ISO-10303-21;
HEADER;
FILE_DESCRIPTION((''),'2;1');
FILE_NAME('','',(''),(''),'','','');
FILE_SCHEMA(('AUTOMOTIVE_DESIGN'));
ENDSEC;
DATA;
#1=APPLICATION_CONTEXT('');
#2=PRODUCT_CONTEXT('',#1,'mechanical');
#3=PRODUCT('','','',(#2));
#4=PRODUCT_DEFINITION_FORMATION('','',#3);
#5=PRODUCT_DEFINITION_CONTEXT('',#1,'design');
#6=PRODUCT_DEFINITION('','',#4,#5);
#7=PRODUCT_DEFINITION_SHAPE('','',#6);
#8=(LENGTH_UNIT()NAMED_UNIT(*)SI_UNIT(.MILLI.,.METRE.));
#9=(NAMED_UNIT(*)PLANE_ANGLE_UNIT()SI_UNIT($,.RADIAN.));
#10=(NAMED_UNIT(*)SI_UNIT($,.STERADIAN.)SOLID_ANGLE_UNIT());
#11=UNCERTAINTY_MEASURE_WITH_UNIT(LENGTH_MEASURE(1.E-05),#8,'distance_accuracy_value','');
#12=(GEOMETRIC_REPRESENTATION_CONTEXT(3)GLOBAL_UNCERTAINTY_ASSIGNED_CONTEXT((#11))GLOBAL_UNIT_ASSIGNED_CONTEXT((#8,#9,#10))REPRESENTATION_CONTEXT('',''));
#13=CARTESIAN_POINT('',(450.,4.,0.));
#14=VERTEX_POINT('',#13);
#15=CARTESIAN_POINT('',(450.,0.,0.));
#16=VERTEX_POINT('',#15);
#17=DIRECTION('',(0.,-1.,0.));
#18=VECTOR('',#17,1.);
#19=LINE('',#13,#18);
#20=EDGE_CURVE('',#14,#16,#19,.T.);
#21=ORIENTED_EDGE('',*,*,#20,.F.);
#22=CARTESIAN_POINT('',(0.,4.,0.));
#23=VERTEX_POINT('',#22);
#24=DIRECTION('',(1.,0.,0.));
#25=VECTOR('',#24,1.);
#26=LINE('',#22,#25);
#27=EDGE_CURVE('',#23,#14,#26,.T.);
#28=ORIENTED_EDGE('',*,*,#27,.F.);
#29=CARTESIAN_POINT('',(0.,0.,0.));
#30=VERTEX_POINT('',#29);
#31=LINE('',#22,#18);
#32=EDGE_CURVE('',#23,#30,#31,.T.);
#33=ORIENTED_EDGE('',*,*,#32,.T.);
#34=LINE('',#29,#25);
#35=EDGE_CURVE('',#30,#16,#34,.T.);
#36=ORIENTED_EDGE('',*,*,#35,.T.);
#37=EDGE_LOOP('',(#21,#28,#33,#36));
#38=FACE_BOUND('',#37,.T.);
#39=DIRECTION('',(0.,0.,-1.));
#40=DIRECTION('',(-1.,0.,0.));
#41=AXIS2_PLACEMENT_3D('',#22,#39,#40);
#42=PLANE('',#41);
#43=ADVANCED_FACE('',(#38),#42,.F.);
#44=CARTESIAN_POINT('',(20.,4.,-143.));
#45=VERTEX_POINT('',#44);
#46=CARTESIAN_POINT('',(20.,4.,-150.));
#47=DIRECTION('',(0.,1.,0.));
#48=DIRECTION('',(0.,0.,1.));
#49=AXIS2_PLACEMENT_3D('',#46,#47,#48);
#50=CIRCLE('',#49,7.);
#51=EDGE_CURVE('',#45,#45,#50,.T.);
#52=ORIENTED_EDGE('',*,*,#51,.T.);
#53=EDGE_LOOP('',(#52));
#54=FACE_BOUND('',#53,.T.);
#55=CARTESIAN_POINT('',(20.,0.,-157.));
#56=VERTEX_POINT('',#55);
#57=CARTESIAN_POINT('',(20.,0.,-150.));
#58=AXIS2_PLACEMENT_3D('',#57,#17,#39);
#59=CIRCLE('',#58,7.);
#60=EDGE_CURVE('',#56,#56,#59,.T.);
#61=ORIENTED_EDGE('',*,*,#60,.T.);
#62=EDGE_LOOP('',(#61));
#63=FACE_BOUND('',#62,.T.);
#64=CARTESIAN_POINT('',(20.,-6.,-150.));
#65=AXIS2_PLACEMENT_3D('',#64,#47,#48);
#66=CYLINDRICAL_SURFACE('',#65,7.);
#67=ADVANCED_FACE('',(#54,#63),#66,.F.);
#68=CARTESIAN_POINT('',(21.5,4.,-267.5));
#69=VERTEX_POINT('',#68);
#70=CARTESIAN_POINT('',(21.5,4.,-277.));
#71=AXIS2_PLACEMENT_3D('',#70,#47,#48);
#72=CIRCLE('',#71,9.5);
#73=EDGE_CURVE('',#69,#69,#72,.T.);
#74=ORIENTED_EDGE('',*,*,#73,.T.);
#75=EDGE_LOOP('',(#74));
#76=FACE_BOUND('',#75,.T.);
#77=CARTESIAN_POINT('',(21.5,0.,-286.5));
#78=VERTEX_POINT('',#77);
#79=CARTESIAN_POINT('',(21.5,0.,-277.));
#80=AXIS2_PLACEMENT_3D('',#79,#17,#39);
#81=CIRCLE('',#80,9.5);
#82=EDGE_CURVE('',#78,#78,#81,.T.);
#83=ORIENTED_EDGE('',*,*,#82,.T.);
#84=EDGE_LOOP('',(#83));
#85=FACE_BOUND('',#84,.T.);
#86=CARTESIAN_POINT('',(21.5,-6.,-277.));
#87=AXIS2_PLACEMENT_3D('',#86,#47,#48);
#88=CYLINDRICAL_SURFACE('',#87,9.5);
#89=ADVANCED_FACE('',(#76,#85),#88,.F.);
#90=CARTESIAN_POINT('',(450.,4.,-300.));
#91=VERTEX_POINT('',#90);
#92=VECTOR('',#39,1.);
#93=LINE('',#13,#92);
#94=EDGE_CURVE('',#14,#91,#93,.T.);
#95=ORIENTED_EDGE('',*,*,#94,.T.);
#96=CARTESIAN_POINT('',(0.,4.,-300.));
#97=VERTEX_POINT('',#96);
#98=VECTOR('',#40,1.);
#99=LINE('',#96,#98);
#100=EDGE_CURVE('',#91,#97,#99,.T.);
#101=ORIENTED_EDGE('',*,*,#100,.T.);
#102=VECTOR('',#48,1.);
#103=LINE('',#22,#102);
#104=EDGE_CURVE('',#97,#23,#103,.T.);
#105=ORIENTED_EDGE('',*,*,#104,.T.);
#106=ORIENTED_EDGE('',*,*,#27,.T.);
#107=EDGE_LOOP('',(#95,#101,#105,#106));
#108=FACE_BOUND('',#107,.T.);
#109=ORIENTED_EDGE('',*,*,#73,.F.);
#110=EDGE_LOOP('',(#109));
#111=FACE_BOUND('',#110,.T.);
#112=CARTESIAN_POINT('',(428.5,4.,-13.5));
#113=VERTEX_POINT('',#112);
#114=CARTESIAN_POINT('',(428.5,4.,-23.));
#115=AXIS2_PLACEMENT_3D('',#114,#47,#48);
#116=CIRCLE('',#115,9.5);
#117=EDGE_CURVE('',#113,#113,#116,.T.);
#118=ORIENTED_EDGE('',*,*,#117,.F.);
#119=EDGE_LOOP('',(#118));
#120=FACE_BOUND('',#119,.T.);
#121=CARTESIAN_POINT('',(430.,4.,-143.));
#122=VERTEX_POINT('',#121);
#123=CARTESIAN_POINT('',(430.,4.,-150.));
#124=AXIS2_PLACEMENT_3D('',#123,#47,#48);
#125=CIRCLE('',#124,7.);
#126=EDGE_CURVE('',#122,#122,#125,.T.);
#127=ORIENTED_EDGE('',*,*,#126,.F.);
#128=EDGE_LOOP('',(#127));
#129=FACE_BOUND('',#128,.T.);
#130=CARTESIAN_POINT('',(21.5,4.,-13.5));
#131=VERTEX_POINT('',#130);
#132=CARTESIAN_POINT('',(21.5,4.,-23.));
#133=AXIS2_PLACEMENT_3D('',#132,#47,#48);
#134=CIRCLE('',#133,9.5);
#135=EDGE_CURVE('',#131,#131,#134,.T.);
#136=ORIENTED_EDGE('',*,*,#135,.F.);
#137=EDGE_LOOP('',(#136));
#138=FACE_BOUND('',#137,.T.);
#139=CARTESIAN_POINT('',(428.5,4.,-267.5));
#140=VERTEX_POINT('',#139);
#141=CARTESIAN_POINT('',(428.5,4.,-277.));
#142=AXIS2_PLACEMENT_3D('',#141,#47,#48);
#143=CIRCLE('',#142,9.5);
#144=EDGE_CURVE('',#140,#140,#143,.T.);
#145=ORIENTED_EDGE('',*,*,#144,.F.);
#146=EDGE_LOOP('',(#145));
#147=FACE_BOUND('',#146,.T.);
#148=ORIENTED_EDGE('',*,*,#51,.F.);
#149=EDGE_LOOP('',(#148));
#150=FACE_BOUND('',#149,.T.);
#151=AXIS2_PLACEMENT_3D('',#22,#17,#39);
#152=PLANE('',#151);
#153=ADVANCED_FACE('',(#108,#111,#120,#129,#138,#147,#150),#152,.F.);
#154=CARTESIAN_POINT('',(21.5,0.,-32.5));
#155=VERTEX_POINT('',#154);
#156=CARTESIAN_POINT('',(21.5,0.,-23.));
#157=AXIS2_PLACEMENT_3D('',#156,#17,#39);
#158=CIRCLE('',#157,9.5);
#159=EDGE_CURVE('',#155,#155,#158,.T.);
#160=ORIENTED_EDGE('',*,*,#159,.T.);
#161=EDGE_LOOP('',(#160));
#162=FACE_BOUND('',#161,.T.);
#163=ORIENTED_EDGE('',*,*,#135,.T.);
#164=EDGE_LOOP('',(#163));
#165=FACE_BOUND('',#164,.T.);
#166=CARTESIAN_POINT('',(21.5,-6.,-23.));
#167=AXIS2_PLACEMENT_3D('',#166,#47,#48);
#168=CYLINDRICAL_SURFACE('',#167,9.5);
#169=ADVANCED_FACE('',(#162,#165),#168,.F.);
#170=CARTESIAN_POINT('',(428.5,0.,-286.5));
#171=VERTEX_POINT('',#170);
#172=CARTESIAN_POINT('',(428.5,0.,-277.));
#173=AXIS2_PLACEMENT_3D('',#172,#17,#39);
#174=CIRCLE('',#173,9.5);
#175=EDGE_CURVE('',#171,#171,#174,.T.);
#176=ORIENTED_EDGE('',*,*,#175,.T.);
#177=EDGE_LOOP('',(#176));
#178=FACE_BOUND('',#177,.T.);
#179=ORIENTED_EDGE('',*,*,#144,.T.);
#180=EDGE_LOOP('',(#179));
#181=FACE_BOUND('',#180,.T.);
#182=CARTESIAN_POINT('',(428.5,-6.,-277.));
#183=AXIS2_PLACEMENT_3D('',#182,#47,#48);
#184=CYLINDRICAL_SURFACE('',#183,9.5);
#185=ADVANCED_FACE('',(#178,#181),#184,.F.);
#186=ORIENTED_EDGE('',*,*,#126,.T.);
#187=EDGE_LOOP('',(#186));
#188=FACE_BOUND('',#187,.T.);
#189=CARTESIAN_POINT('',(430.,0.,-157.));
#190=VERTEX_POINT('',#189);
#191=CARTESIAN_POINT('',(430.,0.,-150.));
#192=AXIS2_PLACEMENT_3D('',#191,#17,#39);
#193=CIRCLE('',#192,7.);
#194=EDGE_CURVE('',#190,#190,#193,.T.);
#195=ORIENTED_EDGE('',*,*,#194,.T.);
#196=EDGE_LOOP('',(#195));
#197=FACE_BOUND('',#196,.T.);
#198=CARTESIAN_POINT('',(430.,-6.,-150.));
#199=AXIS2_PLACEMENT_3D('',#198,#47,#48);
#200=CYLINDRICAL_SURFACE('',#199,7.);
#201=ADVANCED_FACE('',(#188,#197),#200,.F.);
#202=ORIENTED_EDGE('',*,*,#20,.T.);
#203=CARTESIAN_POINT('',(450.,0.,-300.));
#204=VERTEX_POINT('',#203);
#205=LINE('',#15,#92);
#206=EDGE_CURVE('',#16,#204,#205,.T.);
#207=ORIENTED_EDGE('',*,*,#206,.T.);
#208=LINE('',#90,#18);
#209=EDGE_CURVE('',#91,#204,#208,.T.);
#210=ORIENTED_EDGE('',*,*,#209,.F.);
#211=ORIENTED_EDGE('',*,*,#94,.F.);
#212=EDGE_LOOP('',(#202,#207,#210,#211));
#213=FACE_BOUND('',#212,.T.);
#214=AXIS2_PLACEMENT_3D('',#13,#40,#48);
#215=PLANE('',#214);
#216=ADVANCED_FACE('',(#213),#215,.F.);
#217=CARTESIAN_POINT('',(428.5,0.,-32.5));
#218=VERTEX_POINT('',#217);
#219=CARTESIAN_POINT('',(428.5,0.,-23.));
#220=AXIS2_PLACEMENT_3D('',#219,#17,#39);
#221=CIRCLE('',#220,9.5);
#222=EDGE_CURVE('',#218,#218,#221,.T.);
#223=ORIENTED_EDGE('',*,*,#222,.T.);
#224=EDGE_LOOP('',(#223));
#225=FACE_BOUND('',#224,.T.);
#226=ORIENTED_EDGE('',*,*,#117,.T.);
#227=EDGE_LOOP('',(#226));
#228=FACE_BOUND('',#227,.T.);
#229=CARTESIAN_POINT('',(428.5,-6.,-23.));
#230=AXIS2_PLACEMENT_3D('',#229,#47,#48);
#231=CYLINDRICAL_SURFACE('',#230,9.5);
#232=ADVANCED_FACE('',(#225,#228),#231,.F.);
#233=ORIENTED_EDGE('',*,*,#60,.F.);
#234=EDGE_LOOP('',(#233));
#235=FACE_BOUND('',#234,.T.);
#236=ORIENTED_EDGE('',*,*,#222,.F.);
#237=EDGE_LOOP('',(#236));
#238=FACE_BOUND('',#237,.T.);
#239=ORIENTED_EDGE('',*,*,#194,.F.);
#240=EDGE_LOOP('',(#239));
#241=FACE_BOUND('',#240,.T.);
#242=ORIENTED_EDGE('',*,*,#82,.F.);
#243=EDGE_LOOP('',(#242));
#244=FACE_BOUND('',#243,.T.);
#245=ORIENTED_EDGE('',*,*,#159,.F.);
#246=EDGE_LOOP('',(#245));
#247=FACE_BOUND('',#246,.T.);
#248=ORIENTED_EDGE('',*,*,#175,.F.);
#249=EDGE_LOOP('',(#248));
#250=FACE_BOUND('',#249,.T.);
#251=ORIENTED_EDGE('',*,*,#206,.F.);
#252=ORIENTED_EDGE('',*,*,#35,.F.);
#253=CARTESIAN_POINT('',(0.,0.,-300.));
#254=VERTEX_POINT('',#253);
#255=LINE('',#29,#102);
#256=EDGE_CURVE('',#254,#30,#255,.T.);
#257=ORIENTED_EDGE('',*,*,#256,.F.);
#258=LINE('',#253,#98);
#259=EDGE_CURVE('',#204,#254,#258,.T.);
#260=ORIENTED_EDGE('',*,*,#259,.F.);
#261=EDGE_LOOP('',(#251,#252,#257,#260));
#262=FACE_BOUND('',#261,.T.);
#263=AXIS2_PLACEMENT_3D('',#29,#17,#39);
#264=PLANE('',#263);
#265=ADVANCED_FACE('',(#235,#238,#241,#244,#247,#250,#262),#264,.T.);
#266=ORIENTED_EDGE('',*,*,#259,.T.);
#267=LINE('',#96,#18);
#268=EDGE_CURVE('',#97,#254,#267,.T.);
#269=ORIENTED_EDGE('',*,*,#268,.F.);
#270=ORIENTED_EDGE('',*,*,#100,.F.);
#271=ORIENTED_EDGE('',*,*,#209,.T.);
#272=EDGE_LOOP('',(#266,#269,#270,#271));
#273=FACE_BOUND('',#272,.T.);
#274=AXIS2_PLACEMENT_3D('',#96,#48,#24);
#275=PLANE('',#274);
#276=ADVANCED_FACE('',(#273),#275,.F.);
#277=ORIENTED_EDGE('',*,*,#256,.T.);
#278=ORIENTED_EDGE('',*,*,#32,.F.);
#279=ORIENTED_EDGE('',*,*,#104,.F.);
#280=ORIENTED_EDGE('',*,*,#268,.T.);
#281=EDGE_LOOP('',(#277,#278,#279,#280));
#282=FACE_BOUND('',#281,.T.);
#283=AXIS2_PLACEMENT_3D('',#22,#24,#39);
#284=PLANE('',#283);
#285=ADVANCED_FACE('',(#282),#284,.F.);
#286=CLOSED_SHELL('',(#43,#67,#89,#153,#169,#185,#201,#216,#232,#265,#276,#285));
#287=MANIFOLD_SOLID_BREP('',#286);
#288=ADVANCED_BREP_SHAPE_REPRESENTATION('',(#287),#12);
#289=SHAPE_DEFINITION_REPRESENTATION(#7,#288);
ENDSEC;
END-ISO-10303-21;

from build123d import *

# Parameters (mm, degrees)
SKETCH_1_W          = 450
SKETCH_1_H          = 300
EXTRUDE_1_DEPTH     = 4
SKETCH_2_R          = 9.5
SKETCH_2_R_2        = 7
CUT_EXTRUDE_1_DEPTH = 10


with BuildPart() as part:
    # Эскиз1 → Бобышка-Вытянуть1 (new body)
    with BuildSketch(Plane(origin=(0, 0, 0), x_dir=(1, 0, 0), z_dir=(0, 1, 0))):
        with Locations((225, 150)):
            Rectangle(SKETCH_1_W, SKETCH_1_H)
    extrude(amount=EXTRUDE_1_DEPTH)

    # Эскиз2 → Вырез-Вытянуть1 (cut)
    with BuildSketch(Plane(origin=(0, 4, 0), x_dir=(1, 0, 0), z_dir=(0, 1, 0))):
        with Locations(Location((21.5, 23, 0), (0, 0, 270))):
            Circle(SKETCH_2_R)
        with Locations(Location((20, 150, 0), (0, 0, 270))):
            Circle(SKETCH_2_R_2)
        with Locations(Location((21.5, 277, 0), (0, 0, 270))):
            Circle(SKETCH_2_R)
        with Locations(Location((428.5, 23, 0), (0, 0, 270))):
            Circle(SKETCH_2_R)
        with Locations(Location((430, 150, 0), (0, 0, 270))):
            Circle(SKETCH_2_R_2)
        with Locations(Location((428.5, 277, 0), (0, 0, 270))):
            Circle(SKETCH_2_R)
    extrude(amount=-CUT_EXTRUDE_1_DEPTH, mode=Mode.SUBTRACT)


solid = part.part
